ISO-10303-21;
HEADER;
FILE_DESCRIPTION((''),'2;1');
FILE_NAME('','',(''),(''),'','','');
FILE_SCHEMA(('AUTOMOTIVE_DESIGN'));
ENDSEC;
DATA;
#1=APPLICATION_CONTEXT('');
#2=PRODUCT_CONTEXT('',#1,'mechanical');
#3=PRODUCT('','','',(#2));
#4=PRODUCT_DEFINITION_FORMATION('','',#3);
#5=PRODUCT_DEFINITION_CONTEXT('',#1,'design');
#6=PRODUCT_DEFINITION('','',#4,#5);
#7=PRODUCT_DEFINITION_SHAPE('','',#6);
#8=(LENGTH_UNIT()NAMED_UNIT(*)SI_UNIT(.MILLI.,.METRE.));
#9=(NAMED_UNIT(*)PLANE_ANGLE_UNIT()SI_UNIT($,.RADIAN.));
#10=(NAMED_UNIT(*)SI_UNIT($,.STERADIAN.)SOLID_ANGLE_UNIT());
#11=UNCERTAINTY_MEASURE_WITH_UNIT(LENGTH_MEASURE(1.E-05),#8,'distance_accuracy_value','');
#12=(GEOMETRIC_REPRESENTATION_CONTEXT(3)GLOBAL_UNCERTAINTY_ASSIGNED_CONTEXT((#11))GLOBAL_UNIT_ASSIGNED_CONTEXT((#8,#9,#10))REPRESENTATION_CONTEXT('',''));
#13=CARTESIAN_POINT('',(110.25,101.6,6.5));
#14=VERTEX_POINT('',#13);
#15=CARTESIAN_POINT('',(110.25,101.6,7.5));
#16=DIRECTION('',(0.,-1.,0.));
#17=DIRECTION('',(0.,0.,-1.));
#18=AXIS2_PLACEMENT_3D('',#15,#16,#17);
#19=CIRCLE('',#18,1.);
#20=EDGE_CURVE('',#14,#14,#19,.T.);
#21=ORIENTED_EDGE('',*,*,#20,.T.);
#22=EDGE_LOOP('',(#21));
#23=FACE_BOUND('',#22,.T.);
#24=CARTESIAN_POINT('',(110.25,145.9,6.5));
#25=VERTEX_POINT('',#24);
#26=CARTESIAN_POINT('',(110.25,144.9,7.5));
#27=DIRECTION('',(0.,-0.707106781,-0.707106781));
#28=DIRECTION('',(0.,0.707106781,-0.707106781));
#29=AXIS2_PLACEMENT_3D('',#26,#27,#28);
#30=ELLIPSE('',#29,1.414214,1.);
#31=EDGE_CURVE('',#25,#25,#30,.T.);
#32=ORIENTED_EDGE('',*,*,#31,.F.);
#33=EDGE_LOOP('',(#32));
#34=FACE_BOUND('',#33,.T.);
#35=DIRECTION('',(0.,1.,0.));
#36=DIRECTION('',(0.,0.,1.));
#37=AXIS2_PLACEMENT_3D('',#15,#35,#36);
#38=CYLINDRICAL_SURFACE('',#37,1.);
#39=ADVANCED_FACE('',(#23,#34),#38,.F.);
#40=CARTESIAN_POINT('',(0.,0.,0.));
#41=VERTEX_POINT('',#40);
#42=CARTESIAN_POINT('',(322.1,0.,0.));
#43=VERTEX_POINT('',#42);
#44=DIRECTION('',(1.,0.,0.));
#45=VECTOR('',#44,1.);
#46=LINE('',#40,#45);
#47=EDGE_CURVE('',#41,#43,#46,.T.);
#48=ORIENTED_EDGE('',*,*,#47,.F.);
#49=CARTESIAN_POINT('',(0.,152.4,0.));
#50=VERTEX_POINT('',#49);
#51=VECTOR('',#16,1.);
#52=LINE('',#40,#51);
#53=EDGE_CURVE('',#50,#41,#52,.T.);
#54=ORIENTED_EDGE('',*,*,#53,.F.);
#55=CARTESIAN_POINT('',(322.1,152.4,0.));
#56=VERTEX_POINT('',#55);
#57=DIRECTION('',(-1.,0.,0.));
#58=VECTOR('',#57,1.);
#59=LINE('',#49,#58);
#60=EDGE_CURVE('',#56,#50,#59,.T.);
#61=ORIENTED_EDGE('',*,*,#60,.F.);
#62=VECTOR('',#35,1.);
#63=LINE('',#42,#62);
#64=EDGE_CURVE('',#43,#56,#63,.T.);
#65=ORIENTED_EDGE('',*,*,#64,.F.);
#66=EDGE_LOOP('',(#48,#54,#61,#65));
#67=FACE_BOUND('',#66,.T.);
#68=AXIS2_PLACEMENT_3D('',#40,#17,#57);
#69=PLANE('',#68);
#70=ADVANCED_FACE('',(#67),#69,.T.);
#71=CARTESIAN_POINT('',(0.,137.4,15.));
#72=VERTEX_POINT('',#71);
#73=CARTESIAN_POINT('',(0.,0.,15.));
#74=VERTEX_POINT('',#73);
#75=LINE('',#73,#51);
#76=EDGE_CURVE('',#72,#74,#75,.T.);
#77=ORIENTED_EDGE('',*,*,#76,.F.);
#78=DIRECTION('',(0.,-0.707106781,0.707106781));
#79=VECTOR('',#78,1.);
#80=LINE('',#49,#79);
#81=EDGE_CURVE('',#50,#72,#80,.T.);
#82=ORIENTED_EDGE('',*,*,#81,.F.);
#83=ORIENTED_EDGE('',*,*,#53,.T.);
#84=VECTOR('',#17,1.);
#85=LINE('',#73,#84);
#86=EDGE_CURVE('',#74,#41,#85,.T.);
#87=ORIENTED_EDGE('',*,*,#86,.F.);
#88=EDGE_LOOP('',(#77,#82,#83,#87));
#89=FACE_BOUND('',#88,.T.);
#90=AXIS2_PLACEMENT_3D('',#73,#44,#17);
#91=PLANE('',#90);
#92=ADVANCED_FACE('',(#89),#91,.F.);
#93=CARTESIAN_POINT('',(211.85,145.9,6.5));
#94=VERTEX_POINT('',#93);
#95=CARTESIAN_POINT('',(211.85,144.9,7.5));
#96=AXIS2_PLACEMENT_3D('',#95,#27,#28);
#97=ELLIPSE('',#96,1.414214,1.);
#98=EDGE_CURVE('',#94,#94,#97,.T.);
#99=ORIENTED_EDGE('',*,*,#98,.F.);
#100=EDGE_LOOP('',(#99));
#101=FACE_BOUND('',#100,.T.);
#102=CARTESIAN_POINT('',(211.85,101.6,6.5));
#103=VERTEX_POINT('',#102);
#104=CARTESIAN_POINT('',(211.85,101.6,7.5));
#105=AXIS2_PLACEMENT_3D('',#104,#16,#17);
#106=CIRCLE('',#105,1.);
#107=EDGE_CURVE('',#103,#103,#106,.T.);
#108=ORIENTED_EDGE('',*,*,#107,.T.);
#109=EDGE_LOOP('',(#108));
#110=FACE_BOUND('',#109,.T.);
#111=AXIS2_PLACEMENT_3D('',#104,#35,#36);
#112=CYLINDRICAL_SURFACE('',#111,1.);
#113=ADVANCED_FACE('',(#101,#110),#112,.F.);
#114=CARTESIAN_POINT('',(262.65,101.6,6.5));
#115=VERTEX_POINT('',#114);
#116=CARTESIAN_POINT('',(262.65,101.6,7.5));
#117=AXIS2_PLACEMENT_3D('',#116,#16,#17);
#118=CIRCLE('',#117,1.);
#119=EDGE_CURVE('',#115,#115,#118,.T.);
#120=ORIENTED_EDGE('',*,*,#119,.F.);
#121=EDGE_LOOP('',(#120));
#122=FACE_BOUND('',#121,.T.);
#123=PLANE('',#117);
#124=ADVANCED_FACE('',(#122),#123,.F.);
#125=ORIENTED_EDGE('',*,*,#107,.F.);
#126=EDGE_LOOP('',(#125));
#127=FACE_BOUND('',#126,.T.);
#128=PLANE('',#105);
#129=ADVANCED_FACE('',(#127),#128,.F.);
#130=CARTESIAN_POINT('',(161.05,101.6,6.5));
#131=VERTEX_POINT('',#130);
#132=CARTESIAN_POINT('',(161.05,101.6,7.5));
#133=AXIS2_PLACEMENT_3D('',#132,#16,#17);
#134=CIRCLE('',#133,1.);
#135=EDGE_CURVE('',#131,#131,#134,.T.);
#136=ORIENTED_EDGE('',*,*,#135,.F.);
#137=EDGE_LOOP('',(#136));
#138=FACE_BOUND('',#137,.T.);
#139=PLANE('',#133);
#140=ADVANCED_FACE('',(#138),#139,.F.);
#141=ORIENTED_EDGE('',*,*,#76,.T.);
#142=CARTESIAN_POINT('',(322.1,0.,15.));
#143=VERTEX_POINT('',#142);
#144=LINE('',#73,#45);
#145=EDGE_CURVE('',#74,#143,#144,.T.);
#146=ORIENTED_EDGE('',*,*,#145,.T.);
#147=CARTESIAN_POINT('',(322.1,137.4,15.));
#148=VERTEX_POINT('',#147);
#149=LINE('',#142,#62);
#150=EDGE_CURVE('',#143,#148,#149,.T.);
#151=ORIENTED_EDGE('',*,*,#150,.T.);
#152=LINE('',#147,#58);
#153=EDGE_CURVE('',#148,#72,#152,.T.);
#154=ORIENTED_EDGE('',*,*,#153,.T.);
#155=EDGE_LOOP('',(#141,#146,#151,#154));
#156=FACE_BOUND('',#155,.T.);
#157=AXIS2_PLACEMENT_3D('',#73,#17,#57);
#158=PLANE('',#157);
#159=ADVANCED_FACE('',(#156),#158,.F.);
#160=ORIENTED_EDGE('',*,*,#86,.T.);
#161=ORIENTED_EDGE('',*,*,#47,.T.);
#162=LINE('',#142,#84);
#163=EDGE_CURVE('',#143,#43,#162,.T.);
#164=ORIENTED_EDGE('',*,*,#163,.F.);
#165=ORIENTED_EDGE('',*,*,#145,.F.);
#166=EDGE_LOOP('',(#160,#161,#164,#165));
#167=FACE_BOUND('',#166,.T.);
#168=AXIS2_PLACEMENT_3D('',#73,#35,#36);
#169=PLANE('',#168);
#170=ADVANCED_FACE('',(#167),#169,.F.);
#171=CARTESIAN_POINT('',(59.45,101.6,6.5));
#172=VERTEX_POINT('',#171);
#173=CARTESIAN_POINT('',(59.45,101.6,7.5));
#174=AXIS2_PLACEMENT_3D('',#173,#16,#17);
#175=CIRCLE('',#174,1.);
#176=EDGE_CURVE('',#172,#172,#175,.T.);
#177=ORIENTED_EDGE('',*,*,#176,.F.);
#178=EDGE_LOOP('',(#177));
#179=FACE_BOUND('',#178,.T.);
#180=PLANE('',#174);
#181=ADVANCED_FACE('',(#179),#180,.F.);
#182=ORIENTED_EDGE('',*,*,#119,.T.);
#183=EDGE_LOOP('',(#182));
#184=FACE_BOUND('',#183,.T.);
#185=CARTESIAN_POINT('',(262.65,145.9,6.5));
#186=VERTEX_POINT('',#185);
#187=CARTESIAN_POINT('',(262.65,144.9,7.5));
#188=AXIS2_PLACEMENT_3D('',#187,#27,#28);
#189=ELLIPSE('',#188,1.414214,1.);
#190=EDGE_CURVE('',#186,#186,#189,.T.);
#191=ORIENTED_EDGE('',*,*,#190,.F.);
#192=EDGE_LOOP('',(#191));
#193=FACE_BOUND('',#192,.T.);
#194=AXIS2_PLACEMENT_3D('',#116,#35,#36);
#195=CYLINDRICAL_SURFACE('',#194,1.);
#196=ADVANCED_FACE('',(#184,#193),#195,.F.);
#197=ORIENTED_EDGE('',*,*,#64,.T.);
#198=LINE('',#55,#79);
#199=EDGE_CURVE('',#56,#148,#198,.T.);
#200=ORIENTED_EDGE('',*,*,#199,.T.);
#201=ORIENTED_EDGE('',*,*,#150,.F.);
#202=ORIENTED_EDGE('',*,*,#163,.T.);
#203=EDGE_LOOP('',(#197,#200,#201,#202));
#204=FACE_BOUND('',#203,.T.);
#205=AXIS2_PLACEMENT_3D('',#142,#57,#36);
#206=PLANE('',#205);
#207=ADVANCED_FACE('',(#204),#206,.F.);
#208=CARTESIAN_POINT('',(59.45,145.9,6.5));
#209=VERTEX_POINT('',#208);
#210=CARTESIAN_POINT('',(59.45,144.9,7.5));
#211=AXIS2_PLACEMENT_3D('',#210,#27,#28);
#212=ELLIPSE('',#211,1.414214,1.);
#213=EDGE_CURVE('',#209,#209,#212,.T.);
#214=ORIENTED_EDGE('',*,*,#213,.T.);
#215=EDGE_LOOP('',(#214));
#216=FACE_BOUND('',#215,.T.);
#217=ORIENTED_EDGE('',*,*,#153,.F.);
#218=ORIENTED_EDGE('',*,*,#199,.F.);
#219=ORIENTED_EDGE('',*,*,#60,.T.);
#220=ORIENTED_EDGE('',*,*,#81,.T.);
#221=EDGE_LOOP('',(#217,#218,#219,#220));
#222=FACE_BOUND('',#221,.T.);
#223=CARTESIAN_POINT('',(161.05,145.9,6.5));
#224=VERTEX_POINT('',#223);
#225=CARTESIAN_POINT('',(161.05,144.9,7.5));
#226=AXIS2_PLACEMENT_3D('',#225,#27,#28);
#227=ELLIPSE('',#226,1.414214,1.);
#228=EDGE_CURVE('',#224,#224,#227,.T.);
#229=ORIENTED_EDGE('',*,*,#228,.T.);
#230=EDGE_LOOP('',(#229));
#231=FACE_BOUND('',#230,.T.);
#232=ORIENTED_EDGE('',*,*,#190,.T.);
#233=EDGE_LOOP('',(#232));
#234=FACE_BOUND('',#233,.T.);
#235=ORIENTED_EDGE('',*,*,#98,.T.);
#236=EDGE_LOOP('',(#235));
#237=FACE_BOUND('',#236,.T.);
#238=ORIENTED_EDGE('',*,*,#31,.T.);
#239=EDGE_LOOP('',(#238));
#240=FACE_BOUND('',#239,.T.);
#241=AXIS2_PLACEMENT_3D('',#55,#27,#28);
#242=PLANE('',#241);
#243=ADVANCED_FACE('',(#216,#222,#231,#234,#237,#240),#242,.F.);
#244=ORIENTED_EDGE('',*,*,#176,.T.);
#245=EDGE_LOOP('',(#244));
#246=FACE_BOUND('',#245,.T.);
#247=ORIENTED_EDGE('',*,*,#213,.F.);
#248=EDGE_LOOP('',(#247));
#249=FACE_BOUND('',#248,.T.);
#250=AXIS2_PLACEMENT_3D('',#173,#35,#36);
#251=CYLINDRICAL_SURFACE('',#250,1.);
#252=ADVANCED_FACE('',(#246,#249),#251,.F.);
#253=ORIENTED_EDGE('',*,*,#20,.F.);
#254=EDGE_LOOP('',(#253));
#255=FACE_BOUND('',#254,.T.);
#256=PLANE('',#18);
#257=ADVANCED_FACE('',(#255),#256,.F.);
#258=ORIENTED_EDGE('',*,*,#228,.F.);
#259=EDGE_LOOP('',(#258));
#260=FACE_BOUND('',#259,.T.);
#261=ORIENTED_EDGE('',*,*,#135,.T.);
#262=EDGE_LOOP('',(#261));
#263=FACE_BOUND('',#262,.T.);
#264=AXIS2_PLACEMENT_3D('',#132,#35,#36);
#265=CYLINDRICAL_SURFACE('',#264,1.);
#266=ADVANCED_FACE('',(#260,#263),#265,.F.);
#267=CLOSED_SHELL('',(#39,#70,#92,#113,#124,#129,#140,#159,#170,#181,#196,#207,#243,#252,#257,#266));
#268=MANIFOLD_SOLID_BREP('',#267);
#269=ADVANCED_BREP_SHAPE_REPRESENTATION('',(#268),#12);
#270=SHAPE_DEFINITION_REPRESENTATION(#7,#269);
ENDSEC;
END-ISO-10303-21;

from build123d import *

# Parameters (mm, degrees)
SKETCH_1_W          = 322.1
SKETCH_1_H          = 152.4
EXTRUDE_1_DEPTH     = 15
CUT_EXTRUDE_START   = 152.4
SKETCH_2_R          = 1
CUT_EXTRUDE_1_DEPTH = 50.8
CUT_EXTRUDE_2_DEPTH = 357.649926398


with BuildPart() as part:
    # 草图1 → 凸台-拉伸1 (new body)
    with BuildSketch(Plane.XY):
        with Locations((161.05, 76.2)):
            Rectangle(SKETCH_1_W, SKETCH_1_H)
    extrude(amount=EXTRUDE_1_DEPTH)

    # 草图2 → 切除-拉伸1 (cut)
    with BuildSketch(Plane(origin=(0, 0, 0), x_dir=(1, 0, 0), z_dir=(0, 1, 0)).offset(CUT_EXTRUDE_START)):
        with Locations(Location((161.05, -7.5, 0), (0, 0, 90))):
            Circle(SKETCH_2_R)
        with Locations(Location((211.85, -7.5, 0), (0, 0, 90))):
            Circle(SKETCH_2_R)
        with Locations(Location((262.65, -7.5, 0), (0, 0, 90))):
            Circle(SKETCH_2_R)
        with Locations(Location((110.25, -7.5, 0), (0, 0, 90))):
            Circle(SKETCH_2_R)
        with Locations(Location((59.45, -7.5, 0), (0, 0, 90))):
            Circle(SKETCH_2_R)
    extrude(amount=-CUT_EXTRUDE_1_DEPTH, mode=Mode.SUBTRACT)

    # 草图3 → 切除-拉伸2 (cut, through all)
    with BuildSketch(Plane.ZY):
        Polygon((0, 152.4), (15, 137.4), (15, 152.4), align=None)
    extrude(amount=-CUT_EXTRUDE_2_DEPTH, mode=Mode.SUBTRACT)


solid = part.part
